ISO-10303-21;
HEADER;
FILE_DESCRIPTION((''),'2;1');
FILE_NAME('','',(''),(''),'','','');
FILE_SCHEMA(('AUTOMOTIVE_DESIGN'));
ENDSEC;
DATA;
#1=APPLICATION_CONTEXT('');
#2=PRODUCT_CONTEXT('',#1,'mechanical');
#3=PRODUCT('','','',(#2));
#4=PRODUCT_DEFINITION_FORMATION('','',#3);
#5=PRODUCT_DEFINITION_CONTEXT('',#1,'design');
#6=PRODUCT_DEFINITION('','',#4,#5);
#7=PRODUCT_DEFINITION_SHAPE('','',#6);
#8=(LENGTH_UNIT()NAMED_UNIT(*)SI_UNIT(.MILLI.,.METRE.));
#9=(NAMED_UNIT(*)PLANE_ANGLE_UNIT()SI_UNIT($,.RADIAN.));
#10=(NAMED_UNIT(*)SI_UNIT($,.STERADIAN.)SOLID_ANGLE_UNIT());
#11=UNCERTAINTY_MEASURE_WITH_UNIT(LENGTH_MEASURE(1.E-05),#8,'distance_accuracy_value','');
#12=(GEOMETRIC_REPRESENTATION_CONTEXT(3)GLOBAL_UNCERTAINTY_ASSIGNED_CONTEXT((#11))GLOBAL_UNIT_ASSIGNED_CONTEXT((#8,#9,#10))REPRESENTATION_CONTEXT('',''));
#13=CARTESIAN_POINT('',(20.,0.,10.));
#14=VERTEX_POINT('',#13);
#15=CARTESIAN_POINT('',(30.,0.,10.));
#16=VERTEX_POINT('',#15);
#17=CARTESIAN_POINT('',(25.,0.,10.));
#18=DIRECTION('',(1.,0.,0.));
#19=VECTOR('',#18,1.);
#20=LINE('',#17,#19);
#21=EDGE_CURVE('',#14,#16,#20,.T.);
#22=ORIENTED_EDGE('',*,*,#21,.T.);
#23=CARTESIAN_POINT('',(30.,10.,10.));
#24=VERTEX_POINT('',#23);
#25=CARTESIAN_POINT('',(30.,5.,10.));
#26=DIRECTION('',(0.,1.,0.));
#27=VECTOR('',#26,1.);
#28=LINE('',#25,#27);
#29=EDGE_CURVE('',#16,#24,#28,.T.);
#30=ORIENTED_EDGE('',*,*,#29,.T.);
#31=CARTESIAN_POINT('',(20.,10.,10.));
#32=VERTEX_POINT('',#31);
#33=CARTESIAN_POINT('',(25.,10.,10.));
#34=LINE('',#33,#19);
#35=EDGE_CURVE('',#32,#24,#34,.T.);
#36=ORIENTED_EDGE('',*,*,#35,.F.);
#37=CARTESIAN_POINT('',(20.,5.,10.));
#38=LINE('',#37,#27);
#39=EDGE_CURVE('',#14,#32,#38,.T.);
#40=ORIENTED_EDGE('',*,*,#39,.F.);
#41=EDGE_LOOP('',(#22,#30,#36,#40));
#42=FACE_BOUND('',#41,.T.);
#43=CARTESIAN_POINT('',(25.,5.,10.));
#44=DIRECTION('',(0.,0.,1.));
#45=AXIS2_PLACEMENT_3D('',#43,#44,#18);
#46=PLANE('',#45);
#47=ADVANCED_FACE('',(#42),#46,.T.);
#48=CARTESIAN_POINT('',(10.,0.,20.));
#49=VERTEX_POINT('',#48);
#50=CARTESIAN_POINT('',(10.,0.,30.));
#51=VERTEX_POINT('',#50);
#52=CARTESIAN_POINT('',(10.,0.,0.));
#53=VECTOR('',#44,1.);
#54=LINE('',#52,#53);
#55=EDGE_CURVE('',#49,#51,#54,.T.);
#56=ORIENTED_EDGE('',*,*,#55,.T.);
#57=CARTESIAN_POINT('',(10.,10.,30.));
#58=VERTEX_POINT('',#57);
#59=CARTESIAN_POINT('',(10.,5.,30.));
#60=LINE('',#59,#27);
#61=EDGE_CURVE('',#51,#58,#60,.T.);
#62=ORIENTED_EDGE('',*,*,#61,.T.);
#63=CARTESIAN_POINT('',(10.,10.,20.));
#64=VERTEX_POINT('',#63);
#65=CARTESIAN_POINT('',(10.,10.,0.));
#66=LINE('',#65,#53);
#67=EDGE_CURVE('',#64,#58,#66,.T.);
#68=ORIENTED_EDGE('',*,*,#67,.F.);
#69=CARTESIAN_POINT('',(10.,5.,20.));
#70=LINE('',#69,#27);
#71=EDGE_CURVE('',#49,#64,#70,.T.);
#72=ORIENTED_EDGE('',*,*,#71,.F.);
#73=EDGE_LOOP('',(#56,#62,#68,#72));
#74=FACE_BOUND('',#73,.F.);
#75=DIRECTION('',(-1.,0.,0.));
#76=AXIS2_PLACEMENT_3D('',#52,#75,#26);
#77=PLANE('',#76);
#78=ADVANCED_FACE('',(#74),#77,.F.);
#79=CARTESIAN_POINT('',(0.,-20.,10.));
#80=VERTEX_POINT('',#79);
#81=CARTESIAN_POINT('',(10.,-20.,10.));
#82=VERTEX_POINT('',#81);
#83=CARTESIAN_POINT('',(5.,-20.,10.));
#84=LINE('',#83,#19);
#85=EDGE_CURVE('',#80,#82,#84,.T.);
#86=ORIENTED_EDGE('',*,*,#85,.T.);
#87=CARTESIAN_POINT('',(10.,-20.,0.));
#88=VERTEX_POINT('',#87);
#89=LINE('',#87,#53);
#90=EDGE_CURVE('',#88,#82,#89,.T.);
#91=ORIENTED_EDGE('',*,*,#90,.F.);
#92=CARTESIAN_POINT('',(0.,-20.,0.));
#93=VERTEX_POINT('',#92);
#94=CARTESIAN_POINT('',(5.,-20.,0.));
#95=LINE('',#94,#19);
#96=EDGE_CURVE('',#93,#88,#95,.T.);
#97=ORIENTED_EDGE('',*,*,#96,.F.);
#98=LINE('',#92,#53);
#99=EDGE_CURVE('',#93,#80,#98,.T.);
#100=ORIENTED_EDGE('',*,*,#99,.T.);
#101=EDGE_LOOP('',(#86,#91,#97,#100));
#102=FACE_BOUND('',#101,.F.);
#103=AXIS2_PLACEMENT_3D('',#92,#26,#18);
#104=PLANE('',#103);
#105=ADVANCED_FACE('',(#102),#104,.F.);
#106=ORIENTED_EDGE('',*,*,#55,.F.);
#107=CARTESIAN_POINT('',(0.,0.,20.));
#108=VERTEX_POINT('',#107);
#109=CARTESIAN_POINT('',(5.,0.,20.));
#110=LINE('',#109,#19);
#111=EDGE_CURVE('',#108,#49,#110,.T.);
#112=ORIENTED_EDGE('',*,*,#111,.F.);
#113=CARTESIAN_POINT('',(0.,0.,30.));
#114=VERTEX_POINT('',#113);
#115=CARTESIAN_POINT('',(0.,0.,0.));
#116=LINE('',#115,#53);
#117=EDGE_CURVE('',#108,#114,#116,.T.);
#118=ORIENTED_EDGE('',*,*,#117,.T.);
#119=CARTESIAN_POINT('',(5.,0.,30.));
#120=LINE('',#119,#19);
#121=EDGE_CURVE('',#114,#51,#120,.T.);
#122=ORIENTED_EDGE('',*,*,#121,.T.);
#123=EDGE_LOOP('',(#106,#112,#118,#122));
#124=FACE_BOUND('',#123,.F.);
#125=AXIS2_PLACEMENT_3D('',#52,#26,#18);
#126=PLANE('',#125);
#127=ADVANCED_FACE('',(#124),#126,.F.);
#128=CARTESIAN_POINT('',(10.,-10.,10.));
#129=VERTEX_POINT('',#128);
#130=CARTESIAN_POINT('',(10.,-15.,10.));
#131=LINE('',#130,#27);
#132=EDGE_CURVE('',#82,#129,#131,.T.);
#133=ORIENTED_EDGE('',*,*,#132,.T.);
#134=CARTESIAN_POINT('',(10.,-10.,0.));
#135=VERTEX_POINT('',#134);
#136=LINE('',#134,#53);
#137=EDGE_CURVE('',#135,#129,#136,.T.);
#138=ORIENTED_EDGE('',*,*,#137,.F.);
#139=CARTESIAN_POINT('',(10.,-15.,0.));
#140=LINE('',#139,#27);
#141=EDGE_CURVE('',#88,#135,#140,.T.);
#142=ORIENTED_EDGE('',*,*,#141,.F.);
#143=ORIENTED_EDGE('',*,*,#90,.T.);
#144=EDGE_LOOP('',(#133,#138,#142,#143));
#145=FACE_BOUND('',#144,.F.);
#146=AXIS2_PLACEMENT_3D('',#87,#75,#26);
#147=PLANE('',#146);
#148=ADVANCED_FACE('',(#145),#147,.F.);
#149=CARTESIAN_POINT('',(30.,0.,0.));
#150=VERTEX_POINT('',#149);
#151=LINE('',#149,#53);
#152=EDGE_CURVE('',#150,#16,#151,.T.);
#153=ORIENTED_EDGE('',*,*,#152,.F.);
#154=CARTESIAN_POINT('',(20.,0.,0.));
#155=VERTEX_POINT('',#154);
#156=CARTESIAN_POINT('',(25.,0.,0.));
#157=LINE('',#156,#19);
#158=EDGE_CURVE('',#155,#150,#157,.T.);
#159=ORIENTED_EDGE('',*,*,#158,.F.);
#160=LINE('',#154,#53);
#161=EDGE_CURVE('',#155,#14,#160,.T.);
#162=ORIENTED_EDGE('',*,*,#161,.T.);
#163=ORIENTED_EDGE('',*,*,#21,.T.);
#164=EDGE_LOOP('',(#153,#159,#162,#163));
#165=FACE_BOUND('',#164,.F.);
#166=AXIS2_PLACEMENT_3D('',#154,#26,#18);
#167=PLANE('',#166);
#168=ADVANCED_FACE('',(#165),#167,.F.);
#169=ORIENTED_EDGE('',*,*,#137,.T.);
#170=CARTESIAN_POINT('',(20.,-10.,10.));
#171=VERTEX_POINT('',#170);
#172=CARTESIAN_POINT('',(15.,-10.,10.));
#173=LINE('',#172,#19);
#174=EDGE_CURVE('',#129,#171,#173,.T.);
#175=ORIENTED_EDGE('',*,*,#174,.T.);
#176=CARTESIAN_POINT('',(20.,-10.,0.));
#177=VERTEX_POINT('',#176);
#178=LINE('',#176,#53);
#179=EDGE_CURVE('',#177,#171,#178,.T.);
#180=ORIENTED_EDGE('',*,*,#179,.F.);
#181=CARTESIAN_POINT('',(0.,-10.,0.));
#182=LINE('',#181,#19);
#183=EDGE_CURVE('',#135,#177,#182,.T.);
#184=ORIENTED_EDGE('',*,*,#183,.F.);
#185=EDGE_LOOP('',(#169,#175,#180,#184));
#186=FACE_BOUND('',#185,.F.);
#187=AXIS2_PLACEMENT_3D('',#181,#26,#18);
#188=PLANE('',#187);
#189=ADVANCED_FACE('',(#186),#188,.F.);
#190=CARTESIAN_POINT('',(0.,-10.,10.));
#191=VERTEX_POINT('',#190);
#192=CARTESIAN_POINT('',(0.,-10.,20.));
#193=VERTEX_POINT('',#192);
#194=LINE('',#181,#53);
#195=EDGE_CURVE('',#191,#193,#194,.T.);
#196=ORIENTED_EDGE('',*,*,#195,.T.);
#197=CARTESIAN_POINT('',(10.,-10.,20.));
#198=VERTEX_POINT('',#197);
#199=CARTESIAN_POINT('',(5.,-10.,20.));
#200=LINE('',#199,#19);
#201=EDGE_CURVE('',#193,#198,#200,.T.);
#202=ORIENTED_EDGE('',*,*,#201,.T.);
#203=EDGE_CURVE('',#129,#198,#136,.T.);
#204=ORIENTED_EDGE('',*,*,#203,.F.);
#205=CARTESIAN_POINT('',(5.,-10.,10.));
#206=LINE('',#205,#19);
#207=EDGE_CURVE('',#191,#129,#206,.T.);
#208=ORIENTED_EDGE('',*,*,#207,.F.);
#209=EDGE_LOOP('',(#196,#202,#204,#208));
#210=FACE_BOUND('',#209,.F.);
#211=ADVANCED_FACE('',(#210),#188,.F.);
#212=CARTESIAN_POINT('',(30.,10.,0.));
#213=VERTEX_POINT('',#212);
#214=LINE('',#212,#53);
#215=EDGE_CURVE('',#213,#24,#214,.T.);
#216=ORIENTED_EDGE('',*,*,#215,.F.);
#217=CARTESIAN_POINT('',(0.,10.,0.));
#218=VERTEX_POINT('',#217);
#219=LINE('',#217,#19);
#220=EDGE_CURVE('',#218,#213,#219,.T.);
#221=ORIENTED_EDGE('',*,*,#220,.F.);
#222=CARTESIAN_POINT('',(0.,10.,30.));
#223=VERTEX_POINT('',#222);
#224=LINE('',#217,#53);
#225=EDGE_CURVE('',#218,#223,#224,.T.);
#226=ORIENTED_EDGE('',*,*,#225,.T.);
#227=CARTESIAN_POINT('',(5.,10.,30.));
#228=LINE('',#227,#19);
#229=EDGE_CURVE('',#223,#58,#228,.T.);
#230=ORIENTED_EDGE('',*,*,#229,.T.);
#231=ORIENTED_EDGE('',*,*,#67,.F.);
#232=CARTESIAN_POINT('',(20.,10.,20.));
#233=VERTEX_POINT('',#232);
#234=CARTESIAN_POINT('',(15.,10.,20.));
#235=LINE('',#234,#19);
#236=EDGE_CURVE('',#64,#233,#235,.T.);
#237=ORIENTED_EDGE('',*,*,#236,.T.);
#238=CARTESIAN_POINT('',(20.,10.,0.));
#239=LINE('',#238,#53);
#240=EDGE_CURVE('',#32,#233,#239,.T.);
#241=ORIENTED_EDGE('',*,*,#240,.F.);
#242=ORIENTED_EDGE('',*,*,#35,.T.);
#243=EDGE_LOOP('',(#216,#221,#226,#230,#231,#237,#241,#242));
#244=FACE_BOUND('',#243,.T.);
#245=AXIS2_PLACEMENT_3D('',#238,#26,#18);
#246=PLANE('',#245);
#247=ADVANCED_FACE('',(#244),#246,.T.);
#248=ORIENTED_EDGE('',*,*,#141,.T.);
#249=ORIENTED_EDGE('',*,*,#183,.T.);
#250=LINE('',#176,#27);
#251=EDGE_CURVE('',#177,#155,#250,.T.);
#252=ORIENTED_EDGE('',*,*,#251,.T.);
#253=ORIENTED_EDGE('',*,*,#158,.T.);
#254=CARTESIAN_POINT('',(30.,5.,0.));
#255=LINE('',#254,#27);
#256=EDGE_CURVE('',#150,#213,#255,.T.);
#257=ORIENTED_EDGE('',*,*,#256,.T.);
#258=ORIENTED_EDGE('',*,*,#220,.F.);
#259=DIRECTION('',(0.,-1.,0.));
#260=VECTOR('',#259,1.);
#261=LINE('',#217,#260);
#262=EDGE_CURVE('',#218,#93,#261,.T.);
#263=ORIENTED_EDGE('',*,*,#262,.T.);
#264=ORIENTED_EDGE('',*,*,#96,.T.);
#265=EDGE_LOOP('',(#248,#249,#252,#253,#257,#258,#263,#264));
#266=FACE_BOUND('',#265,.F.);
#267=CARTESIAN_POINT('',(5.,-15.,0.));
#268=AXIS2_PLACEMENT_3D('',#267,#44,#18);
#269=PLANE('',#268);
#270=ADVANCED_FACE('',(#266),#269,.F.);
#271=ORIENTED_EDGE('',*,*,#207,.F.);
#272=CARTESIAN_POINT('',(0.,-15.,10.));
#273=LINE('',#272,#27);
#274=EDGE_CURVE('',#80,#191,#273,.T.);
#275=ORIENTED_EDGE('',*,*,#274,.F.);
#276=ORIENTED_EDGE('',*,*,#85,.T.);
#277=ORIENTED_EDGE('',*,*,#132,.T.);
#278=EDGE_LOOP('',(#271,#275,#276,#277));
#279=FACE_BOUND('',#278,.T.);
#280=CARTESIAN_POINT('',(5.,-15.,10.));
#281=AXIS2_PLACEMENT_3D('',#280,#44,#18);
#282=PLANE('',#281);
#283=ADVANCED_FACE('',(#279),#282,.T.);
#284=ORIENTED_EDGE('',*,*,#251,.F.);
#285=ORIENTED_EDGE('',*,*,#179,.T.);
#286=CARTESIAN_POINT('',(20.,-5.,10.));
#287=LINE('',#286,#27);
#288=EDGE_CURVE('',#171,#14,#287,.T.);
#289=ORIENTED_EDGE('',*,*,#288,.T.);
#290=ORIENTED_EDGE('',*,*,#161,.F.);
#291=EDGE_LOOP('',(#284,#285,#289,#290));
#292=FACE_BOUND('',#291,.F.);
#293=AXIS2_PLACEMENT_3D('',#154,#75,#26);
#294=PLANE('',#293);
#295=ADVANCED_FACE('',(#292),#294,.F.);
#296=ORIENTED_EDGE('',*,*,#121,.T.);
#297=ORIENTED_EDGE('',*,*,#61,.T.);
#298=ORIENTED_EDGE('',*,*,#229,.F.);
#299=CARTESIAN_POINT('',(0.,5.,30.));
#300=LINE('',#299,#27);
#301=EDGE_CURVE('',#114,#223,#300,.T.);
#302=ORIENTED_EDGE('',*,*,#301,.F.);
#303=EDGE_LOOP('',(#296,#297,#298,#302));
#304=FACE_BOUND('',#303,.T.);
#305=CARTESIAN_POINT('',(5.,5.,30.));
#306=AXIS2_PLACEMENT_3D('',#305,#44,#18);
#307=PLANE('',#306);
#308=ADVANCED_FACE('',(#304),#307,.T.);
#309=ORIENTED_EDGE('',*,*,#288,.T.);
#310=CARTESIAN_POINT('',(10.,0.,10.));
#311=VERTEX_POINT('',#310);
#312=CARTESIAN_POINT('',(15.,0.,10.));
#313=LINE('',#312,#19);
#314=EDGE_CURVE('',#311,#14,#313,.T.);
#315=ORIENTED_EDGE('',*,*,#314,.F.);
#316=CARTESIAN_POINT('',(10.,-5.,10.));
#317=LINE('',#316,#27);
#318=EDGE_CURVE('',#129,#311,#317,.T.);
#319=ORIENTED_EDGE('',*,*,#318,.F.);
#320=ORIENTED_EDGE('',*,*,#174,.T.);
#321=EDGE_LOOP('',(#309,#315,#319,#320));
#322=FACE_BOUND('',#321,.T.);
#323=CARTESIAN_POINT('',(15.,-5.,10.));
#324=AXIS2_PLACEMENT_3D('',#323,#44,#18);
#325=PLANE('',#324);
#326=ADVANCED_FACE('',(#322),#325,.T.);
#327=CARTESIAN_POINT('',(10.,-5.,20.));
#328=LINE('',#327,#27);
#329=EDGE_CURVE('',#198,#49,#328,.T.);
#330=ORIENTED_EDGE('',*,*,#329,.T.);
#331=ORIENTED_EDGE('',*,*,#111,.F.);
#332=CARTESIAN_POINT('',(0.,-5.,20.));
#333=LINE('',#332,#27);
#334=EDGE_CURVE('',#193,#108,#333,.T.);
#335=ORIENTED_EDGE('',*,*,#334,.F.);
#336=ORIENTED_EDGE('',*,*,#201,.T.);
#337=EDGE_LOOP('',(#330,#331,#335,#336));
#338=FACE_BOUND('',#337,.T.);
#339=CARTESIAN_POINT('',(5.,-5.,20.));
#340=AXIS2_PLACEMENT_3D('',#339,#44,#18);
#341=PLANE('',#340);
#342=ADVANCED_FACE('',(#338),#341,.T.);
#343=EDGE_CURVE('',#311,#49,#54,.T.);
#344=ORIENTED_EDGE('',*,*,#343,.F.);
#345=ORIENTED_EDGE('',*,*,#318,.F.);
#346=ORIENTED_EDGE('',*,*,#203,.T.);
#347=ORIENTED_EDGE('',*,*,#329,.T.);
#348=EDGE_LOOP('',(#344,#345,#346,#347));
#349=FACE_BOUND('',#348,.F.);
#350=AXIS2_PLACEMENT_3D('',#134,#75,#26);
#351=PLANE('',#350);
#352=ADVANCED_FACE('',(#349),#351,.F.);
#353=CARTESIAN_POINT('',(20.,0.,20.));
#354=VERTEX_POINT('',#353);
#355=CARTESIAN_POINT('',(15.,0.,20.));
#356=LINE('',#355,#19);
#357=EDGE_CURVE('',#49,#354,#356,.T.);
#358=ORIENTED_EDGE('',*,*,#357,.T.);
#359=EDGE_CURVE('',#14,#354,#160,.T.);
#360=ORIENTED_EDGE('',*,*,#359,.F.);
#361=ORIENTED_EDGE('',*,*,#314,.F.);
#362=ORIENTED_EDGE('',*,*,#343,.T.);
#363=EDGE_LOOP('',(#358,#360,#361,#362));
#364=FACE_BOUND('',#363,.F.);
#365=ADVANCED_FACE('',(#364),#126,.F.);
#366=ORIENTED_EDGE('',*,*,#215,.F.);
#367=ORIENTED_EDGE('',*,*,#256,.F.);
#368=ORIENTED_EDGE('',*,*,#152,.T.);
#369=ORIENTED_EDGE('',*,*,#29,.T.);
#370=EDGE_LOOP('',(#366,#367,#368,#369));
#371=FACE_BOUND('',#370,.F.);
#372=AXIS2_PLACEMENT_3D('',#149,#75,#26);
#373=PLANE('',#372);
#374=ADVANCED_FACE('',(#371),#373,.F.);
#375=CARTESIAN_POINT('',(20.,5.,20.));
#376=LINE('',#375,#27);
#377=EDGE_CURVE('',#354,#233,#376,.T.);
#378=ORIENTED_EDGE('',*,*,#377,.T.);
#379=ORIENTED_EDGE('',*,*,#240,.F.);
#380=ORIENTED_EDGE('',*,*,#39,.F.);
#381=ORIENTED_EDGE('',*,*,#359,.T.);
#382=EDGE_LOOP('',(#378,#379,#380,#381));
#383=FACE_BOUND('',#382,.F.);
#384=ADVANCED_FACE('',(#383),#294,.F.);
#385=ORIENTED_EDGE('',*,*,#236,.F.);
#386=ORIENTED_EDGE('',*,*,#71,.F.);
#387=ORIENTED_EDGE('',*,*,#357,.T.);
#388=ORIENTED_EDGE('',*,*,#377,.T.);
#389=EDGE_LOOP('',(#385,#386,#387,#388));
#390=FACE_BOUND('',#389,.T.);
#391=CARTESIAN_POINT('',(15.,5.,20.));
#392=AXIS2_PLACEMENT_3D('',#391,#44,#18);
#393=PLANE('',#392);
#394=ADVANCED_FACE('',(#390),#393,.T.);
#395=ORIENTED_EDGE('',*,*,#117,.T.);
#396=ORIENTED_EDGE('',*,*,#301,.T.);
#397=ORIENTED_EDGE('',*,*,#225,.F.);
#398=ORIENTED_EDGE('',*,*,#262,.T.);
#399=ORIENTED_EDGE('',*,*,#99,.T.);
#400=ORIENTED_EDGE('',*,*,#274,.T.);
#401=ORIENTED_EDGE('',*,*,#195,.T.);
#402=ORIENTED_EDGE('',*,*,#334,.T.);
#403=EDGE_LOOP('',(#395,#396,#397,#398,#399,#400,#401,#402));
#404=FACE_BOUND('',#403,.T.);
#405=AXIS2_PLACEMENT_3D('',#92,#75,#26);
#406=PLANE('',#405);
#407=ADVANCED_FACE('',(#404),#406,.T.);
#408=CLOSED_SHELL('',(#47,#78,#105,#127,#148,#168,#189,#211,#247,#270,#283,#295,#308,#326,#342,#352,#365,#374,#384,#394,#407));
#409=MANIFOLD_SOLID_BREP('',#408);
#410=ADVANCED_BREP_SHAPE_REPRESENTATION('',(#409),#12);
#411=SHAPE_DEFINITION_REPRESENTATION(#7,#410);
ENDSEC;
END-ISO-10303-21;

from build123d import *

# Parameters (mm, degrees)
BOX_W        = 10
BOX_H        = 10
BOX_DEPTH    = 30
BOX001_W     = 10
BOX001_H     = 10
BOX001_DEPTH = 20
BOX002_W     = 10
BOX002_H     = 10
BOX002_DEPTH = 10
BOX003_W     = 10
BOX003_H     = 10
BOX003_DEPTH = 20
BOX004_W     = 10
BOX004_H     = 10
BOX004_DEPTH = 10
BOX005_W     = 10
BOX005_H     = 10
BOX005_DEPTH = 10


with BuildPart() as cubo:
    # Box → Box (new body)
    with BuildSketch(Plane.XY):
        with Locations((5, 5)):
            Rectangle(BOX_W, BOX_H)
    extrude(amount=BOX_DEPTH)


with BuildPart() as cubo001:
    # Box001 → Box001 (new body)
    with BuildSketch(Plane(origin=(10, 0, 0), x_dir=(1, 0, 0), z_dir=(0, 0, 1))):
        with Locations((5, 5)):
            Rectangle(BOX001_W, BOX001_H)
    extrude(amount=BOX001_DEPTH)


with BuildPart() as cubo002:
    # Box002 → Box002 (new body)
    with BuildSketch(Plane(origin=(20, 0, 0), x_dir=(1, 0, 0), z_dir=(0, 0, 1))):
        with Locations((5, 5)):
            Rectangle(BOX002_W, BOX002_H)
    extrude(amount=BOX002_DEPTH)


with BuildPart() as cubo003:
    # Box003 → Box003 (new body)
    with BuildSketch(Plane(origin=(0, -10, 0), x_dir=(1, 0, 0), z_dir=(0, 0, 1))):
        with Locations((5, 5)):
            Rectangle(BOX003_W, BOX003_H)
    extrude(amount=BOX003_DEPTH)


with BuildPart() as cubo004:
    # Box004 → Box004 (new body)
    with BuildSketch(Plane(origin=(0, -20, 0), x_dir=(1, 0, 0), z_dir=(0, 0, 1))):
        with Locations((5, 5)):
            Rectangle(BOX004_W, BOX004_H)
    extrude(amount=BOX004_DEPTH)


with BuildPart() as connect:
    # Box005 → Box005 (new body)
    with BuildSketch(Plane(origin=(10, -10, 0), x_dir=(1, 0, 0), z_dir=(0, 0, 1))):
        with Locations((5, 5)):
            Rectangle(BOX005_W, BOX005_H)
    extrude(amount=BOX005_DEPTH)

    # Connect: union Cubo, Cubo001, Cubo002, Cubo003, Cubo004
    add(cubo.part)
    add(cubo001.part)
    add(cubo002.part)
    add(cubo003.part)
    add(cubo004.part)


solid = connect.part
